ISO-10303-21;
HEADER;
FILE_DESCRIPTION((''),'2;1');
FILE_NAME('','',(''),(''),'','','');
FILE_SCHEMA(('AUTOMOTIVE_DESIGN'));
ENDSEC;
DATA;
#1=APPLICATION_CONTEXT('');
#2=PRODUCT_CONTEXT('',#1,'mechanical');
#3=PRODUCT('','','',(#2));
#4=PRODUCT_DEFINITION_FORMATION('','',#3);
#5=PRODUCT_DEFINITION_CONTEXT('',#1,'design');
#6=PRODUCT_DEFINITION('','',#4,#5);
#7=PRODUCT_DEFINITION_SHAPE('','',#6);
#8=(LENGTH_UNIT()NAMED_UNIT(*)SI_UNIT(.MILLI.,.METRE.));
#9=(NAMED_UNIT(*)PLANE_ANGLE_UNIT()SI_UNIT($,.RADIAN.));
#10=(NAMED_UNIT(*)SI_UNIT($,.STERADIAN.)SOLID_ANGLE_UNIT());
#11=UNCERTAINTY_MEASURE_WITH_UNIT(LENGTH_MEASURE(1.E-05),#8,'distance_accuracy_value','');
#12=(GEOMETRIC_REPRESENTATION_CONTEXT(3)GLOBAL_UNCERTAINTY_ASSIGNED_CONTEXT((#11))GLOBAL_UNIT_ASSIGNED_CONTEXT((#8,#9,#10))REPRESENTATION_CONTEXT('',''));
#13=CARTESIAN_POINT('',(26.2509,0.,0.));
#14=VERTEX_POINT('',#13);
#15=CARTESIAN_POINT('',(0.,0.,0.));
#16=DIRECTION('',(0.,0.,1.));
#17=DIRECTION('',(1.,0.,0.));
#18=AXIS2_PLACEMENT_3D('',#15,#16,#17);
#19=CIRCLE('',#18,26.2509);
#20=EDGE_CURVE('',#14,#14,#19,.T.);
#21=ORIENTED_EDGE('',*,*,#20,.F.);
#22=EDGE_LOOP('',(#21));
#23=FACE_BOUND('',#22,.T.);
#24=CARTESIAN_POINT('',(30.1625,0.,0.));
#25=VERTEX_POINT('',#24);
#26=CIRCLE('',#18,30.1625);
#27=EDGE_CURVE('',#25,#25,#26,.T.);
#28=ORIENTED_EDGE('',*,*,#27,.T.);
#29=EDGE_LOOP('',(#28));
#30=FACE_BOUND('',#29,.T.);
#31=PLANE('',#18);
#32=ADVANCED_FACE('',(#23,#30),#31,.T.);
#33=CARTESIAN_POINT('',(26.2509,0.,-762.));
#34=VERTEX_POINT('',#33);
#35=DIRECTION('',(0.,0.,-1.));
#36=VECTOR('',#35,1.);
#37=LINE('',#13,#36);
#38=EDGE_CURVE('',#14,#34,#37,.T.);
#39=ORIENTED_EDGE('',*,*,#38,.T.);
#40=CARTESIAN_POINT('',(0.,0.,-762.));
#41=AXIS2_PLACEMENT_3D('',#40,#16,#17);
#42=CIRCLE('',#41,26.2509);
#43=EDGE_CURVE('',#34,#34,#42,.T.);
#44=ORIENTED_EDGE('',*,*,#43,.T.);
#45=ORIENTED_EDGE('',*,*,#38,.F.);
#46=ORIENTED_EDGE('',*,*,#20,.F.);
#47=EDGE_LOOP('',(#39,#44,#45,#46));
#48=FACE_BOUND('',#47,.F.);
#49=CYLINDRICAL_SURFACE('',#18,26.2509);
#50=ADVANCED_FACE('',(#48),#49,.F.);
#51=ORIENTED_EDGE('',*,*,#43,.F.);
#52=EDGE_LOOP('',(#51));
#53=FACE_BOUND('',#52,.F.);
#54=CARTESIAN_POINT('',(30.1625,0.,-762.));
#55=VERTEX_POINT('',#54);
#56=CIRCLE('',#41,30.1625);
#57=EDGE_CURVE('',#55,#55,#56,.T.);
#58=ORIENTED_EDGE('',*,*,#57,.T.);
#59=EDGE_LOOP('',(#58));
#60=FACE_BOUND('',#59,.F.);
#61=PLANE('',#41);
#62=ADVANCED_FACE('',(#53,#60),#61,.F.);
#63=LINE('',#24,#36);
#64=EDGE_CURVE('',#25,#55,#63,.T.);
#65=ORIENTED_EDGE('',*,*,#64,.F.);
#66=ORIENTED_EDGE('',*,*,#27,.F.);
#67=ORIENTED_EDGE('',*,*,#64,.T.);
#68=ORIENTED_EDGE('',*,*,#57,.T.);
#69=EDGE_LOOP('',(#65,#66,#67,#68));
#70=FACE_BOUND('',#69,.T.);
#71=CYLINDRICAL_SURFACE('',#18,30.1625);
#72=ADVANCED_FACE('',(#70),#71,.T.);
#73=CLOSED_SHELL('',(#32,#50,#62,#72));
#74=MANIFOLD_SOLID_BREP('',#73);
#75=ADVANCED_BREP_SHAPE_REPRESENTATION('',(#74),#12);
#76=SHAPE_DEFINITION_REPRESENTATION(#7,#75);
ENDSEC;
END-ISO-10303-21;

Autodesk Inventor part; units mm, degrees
ref_plane "YZ Plane" through (0, 0, 0) normal (1, 0, 0) x (0, 1, 0)
ref_plane "XZ Plane" through (0, 0, 0) normal (0, 1, 0) x (-1, 0, 0)
ref_plane "XY Plane" through (0, 0, 0) normal (0, 0, 1) x (1, 0, 0)
sketch "Sketch1" plane through (0, 0, 0) normal (0, 0, 1) x (1, 0, 0)
  circle A0 centre (0, 0) radius 26.2509
  circle A1 centre (0, 0) radius 30.1625
  dimension "d0" = 52.5018
  dimension "d1" = 60.325
extrude "Extrusion1" add sketch "Sketch1" against normal blind 762
properties part number "2_0-inch schedule 40 for Arm" material "PVC-Piping"
